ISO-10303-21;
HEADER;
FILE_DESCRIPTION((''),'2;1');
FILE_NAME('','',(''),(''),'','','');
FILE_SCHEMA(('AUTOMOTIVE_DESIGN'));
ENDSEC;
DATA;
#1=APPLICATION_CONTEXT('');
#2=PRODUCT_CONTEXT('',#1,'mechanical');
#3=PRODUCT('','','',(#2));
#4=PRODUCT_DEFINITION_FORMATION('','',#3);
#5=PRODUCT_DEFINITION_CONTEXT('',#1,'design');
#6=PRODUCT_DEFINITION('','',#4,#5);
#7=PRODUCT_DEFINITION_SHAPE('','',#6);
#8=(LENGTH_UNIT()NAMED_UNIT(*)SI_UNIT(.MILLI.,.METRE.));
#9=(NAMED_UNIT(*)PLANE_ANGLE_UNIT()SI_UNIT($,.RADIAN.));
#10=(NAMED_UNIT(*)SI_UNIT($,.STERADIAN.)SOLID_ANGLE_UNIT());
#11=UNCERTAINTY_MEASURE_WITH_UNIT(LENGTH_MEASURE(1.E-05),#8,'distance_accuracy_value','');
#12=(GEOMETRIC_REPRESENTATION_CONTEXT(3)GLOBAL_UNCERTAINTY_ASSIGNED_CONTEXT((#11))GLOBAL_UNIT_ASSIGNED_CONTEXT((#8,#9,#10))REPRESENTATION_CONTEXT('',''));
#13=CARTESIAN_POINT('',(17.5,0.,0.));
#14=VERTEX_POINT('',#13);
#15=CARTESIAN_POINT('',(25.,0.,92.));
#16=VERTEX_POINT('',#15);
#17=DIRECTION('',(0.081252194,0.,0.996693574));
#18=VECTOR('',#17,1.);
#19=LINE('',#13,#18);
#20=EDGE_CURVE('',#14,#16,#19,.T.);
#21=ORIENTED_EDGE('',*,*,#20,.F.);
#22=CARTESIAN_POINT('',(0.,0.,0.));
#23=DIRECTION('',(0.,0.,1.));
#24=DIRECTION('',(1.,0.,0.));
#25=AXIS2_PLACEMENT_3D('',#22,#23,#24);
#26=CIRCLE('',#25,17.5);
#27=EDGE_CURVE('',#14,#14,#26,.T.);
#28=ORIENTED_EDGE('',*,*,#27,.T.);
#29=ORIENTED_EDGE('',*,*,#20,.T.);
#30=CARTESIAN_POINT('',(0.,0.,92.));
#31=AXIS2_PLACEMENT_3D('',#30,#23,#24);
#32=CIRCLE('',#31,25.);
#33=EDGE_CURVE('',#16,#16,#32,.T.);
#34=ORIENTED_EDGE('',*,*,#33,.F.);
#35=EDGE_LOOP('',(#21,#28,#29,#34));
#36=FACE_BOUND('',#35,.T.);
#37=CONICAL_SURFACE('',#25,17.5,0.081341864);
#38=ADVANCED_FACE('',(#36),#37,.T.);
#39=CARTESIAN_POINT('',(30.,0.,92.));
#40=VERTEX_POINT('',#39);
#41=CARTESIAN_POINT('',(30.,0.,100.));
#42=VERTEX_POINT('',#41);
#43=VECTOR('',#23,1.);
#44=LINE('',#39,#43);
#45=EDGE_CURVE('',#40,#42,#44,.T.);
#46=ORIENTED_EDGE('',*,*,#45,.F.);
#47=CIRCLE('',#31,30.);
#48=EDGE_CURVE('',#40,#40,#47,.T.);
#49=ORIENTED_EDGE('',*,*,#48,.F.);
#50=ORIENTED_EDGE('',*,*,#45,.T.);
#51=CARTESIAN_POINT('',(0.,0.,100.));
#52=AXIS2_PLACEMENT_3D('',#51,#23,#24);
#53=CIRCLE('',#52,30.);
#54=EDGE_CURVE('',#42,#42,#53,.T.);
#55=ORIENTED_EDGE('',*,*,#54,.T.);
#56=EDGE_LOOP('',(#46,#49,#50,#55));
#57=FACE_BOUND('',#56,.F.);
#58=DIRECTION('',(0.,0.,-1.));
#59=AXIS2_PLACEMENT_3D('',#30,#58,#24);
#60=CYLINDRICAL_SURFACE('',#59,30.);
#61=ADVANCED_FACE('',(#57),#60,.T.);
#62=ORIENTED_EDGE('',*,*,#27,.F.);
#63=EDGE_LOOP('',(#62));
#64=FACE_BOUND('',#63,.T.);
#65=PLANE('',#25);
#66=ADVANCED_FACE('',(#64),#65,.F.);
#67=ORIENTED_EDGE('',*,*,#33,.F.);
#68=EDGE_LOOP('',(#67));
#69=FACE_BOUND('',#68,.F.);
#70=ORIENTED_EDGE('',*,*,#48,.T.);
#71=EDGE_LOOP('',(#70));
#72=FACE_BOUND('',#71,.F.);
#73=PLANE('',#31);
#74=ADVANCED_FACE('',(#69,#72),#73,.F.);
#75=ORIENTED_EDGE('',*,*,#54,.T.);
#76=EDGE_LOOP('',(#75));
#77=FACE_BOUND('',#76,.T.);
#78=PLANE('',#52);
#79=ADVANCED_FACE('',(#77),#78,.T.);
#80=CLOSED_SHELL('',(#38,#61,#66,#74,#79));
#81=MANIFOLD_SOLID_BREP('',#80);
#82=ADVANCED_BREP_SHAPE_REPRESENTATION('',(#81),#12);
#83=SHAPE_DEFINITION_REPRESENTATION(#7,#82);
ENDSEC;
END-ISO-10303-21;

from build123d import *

# Parameters (mm, degrees)
CYLINDER_R     = 30
CYLINDER_DEPTH = 8


with BuildPart() as cone:
    # Cone → Cone (revolve)
    with BuildSketch(Plane.XZ):
        Polygon((0, 0), (17.5, 0), (25, 92), (0, 92), align=None)
    revolve(axis=Axis((0, 0, 0), (0, 0, 1)))


with BuildPart() as fusion:
    # Cylinder → Cylinder (new body)
    with BuildSketch(Plane.XY.offset(92)):
        Circle(CYLINDER_R)
    extrude(amount=CYLINDER_DEPTH)

    # Fusion: union Cone
    add(cone.part)


solid = fusion.part
